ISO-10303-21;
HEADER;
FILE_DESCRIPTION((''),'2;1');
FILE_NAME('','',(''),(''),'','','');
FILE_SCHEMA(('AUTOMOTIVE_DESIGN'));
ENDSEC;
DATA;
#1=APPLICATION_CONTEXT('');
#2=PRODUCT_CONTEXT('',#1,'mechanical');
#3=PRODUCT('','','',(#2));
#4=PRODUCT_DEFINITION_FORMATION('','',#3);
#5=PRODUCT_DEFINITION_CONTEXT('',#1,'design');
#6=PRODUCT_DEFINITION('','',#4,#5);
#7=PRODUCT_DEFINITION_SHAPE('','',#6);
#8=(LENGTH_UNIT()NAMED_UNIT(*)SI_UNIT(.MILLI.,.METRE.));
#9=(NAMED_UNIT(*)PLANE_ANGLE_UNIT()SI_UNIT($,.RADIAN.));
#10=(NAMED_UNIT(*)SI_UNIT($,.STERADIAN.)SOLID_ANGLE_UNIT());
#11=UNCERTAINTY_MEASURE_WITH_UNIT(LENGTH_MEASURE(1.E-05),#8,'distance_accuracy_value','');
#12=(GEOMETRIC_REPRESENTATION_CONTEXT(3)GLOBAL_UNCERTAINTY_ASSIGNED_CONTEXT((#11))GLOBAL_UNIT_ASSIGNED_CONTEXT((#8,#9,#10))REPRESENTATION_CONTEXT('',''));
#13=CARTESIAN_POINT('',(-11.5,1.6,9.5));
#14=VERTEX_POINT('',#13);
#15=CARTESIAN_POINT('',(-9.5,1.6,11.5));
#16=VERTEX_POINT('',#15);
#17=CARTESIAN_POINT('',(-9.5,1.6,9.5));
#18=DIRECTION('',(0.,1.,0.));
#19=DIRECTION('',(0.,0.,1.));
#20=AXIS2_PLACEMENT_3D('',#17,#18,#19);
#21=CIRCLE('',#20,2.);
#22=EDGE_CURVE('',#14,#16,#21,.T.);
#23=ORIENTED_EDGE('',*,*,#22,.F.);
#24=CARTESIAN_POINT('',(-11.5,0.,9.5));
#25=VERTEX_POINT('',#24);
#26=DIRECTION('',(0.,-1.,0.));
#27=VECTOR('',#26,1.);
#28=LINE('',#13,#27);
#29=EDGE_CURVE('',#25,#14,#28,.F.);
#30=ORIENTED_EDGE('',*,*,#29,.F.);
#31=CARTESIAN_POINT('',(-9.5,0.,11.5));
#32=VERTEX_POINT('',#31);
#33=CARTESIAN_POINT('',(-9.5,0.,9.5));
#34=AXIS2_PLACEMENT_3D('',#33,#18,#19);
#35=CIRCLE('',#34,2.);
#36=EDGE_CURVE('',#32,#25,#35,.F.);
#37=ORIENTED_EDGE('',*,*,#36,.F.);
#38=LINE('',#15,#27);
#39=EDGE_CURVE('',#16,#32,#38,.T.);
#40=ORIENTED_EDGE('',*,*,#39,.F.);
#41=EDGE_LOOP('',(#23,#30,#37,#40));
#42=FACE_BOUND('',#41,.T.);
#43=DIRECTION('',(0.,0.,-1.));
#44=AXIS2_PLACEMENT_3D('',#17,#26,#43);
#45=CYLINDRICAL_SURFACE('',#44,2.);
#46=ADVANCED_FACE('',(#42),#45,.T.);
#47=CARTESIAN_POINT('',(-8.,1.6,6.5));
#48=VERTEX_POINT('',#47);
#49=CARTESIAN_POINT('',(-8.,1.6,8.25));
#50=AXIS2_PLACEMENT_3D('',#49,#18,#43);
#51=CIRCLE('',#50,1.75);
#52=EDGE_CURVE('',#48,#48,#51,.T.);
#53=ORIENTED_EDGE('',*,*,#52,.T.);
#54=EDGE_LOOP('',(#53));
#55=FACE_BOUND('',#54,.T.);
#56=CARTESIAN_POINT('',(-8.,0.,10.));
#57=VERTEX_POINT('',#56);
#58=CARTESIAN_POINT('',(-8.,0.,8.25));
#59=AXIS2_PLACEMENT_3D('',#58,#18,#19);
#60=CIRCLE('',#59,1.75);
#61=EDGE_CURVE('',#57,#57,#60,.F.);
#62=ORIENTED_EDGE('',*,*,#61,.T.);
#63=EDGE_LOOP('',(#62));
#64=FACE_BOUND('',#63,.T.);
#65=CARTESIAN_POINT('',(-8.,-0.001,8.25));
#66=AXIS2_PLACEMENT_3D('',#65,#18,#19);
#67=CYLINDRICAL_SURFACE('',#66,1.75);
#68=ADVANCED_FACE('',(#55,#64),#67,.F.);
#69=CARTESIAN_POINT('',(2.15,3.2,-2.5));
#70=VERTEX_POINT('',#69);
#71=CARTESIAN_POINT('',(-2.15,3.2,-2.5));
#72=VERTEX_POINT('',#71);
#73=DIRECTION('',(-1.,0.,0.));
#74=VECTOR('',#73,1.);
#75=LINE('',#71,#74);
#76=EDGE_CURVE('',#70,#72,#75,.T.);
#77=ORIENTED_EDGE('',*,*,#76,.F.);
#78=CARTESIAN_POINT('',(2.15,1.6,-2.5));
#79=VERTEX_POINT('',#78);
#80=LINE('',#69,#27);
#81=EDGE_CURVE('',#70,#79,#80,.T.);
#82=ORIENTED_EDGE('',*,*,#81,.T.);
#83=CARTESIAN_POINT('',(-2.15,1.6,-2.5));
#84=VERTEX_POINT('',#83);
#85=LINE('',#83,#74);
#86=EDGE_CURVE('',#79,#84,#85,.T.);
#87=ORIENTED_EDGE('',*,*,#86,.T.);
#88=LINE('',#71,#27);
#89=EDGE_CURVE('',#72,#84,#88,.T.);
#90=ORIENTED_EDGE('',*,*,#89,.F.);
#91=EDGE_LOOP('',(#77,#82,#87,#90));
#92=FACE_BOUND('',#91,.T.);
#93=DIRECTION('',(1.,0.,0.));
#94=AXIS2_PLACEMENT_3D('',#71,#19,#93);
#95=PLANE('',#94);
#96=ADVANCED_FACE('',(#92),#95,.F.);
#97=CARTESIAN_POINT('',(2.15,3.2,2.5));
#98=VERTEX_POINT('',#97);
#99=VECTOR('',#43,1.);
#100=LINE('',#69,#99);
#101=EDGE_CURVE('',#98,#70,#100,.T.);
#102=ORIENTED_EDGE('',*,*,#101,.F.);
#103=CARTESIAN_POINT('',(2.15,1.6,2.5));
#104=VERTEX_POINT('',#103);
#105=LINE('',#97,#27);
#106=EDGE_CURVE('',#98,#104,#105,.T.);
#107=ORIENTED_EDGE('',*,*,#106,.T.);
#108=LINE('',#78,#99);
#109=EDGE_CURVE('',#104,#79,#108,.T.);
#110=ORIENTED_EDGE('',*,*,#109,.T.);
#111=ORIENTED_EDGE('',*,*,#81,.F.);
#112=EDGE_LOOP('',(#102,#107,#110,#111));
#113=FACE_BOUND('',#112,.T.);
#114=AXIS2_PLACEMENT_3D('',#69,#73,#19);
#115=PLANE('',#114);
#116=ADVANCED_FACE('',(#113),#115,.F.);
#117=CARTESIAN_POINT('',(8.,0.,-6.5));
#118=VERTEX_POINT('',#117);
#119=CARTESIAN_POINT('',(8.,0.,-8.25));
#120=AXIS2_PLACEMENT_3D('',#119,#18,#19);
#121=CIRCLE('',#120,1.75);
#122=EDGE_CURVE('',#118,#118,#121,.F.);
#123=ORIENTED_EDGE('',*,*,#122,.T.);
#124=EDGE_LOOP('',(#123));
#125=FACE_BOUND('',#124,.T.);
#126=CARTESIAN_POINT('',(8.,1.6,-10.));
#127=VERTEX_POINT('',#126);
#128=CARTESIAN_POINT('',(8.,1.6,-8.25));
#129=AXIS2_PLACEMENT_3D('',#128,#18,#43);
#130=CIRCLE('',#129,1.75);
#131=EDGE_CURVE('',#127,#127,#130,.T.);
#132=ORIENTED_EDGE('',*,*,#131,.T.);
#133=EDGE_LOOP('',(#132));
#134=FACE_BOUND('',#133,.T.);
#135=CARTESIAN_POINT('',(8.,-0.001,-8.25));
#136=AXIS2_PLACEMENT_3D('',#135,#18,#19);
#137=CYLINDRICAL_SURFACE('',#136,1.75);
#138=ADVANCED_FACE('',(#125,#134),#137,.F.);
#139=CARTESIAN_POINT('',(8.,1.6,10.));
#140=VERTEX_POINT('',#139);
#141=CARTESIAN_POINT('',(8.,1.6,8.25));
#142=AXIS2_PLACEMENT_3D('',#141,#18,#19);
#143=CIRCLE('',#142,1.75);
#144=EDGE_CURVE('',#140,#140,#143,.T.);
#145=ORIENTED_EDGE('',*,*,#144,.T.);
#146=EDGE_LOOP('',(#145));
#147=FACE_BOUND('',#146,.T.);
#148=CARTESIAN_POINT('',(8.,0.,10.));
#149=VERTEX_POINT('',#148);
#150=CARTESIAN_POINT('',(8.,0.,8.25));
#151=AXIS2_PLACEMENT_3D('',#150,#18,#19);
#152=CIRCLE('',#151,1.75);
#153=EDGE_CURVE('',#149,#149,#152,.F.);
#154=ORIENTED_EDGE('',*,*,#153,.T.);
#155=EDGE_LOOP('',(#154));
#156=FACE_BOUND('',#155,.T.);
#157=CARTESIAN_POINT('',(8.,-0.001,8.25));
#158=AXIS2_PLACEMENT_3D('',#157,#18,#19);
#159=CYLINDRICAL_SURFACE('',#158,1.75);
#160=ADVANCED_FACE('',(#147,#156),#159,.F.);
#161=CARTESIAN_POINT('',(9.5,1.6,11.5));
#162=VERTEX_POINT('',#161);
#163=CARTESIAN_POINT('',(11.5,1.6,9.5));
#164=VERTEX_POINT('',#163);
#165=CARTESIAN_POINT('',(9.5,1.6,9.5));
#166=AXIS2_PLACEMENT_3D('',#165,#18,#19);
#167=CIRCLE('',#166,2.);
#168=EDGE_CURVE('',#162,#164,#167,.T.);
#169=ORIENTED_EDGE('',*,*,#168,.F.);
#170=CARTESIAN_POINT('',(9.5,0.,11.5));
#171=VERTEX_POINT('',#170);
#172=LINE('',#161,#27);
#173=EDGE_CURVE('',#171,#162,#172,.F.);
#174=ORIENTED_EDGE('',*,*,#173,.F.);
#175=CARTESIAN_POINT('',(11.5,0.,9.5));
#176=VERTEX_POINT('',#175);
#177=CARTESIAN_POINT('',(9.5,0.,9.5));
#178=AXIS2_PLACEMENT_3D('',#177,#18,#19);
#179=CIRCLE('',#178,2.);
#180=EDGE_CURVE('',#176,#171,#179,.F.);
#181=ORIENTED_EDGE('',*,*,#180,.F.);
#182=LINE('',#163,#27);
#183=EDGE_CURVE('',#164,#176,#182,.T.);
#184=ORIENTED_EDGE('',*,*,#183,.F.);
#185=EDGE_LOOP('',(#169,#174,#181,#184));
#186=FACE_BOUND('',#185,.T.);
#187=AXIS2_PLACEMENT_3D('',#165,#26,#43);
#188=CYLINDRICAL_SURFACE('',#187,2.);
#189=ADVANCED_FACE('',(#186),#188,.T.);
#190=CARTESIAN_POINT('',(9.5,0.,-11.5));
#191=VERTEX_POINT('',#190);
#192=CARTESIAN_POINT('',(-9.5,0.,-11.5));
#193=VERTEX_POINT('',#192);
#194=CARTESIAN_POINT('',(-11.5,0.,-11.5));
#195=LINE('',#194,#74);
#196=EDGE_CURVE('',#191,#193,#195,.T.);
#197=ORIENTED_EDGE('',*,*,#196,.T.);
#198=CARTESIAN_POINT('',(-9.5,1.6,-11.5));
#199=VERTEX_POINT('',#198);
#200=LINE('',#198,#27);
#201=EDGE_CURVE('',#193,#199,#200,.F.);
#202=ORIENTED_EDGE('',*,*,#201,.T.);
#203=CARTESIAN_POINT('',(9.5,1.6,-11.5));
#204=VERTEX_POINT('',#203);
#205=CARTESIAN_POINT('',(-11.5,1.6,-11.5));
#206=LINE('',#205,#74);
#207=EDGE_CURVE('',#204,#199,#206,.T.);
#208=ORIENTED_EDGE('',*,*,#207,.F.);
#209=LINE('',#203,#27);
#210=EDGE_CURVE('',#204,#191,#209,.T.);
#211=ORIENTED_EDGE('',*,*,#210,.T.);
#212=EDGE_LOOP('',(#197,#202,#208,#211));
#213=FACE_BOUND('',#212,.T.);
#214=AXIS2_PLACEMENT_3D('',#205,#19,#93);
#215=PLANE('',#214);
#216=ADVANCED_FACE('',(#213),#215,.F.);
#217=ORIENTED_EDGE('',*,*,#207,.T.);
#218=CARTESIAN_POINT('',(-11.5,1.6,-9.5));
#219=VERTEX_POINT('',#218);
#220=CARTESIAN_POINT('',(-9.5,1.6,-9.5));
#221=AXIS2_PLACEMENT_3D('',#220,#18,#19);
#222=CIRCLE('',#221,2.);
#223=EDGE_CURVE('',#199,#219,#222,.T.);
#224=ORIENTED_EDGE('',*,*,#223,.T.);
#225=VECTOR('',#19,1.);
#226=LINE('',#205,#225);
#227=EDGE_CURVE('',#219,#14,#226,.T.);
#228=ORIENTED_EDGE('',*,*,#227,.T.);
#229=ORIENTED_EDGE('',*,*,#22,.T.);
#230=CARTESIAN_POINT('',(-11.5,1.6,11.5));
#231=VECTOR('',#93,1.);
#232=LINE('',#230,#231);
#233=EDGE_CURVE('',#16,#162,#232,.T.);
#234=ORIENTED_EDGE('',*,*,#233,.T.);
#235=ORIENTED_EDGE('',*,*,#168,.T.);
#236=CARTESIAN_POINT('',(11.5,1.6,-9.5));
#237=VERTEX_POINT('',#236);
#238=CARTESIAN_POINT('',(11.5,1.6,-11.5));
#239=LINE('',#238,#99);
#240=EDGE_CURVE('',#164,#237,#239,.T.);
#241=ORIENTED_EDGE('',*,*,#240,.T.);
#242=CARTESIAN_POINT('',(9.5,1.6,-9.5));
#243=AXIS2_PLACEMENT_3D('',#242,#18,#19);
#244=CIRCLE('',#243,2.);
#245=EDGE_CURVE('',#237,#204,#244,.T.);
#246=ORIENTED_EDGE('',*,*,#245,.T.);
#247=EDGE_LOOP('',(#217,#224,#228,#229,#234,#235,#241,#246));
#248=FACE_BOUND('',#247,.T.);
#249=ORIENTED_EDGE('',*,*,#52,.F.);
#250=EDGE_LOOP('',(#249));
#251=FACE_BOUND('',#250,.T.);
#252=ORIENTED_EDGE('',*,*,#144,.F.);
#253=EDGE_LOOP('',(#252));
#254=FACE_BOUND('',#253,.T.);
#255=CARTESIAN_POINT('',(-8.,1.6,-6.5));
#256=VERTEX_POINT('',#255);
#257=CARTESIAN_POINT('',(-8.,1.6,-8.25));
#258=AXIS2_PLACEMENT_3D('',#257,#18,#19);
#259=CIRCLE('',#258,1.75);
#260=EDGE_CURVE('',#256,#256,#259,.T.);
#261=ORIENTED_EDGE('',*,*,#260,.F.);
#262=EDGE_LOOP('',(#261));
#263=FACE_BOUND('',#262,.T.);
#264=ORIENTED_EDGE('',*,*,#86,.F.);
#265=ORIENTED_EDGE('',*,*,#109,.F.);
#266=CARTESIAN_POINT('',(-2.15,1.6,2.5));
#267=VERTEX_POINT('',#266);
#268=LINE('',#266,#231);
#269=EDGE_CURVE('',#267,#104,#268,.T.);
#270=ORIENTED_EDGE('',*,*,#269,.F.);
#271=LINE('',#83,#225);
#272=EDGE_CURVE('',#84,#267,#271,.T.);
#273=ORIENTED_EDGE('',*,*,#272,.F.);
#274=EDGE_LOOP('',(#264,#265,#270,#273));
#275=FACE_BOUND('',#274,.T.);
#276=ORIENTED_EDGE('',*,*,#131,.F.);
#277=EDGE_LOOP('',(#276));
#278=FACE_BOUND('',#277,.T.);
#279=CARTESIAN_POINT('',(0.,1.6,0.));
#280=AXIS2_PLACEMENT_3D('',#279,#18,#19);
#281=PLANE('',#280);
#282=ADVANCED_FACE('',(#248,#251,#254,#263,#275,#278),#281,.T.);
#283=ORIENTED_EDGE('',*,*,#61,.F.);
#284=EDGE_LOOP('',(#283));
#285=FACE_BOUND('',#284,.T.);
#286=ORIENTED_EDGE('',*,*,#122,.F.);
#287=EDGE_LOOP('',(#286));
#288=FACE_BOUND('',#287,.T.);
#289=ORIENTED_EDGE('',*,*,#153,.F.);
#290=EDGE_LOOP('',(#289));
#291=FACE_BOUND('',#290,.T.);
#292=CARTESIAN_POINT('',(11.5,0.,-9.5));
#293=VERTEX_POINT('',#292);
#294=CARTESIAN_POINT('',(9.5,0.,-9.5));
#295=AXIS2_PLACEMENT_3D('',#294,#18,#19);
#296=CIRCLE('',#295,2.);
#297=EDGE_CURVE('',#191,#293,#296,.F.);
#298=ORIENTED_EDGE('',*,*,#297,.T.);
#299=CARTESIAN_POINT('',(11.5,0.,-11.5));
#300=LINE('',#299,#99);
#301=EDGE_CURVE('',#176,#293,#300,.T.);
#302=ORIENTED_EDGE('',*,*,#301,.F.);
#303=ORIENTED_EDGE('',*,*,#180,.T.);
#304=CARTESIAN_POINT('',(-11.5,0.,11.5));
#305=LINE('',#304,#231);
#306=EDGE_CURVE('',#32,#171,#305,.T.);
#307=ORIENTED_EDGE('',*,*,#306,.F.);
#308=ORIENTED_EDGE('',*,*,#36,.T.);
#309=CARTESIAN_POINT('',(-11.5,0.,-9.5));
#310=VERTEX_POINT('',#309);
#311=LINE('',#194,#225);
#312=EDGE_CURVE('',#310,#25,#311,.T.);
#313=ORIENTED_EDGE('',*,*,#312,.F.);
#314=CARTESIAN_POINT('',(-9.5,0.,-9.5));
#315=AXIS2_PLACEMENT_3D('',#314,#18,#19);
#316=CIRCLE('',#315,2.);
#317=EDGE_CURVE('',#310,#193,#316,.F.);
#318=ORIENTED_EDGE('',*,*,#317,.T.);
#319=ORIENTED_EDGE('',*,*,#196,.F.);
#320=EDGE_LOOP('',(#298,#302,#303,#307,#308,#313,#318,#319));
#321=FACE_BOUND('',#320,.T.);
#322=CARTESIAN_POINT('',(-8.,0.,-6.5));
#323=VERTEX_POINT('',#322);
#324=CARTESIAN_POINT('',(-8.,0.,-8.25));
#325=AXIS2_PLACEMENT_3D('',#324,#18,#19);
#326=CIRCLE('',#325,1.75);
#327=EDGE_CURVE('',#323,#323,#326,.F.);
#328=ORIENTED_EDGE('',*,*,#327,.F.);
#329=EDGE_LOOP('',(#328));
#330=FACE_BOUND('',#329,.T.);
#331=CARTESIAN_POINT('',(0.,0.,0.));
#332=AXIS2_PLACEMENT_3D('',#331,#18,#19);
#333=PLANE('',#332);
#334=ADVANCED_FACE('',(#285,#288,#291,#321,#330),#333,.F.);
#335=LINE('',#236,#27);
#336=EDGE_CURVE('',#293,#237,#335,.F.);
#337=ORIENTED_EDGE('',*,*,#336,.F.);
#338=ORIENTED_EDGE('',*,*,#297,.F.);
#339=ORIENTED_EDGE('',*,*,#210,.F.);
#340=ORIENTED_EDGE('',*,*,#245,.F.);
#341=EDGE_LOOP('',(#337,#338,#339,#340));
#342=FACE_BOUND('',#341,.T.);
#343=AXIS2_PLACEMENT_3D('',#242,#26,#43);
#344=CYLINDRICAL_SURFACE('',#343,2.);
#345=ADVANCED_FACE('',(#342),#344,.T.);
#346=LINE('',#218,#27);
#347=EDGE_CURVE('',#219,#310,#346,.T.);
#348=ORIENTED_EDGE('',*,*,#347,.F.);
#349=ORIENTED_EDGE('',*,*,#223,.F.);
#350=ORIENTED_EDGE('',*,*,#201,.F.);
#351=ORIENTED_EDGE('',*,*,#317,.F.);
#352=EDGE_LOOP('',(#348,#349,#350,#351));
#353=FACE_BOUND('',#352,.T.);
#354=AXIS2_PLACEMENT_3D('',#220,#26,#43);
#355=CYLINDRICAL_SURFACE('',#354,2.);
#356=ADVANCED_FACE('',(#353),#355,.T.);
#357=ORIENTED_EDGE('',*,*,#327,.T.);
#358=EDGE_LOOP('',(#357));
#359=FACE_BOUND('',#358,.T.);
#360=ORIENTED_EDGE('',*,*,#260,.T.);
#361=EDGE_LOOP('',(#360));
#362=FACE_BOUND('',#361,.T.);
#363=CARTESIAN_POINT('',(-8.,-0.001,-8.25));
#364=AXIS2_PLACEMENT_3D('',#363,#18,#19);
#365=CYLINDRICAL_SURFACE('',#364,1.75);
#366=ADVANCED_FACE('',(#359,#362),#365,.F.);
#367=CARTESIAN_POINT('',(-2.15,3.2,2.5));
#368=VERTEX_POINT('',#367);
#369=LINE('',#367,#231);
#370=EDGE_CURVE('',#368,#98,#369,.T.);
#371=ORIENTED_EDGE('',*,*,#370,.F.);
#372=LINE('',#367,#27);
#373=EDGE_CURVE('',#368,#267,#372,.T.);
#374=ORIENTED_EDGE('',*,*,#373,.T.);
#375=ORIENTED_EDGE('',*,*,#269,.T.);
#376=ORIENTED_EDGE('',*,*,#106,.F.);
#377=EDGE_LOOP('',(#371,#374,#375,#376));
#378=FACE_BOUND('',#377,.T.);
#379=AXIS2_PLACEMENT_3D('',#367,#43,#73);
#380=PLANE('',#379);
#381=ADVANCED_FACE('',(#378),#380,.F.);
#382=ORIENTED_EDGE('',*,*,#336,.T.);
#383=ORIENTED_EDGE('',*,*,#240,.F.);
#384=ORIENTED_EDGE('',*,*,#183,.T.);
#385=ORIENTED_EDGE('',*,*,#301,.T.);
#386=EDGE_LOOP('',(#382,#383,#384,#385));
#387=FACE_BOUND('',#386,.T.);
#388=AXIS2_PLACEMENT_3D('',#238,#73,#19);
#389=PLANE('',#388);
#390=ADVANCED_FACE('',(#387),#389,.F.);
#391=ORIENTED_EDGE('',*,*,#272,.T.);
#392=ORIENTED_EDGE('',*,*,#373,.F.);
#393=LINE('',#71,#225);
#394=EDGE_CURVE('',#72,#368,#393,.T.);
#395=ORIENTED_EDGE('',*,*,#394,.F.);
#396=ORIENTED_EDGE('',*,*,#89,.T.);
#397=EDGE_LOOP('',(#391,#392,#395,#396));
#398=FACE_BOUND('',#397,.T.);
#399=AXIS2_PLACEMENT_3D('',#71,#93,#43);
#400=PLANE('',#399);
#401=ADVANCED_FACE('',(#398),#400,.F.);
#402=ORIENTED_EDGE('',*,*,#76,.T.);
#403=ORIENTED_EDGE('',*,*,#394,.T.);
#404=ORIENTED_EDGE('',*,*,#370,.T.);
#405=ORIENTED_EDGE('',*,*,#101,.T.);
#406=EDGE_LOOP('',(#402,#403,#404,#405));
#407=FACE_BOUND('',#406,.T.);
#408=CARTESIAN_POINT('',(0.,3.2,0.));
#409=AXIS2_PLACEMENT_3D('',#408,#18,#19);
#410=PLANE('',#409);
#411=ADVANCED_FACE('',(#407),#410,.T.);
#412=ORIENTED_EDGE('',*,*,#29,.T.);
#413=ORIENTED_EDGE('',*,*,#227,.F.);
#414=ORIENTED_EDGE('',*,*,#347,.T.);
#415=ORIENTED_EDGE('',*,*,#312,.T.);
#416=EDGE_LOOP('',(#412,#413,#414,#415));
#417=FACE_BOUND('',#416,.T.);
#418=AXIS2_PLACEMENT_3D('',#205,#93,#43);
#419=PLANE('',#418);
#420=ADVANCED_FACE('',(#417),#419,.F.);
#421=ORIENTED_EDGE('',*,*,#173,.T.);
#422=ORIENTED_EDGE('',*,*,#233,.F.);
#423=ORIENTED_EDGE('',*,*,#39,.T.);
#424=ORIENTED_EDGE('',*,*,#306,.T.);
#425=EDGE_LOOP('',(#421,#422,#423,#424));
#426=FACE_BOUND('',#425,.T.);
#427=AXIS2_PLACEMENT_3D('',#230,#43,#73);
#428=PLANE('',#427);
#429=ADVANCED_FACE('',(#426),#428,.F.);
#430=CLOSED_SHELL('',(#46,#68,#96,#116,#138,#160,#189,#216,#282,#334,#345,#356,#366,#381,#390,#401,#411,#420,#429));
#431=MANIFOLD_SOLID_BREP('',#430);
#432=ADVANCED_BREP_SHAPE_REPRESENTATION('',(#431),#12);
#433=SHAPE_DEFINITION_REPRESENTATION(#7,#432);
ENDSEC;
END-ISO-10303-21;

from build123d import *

# Parameters (mm, degrees)
SKETCH1_W           = 23
SKETCH1_H           = 23
BOSS_EXTRUDE1_DEPTH = 1.6
FILLET1_R           = 2
CUT_EXTRUDE1_REACH  = 18.342
SKETCH2_R           = 1.75
SKETCH3_W           = 4.3
SKETCH3_H           = 5
BOSS_EXTRUDE2_DEPTH = 1.6


with BuildPart() as part:
    # Sketch1 → Boss-Extrude1 (new body)
    with BuildSketch(Plane(origin=(0, 0, 0), x_dir=(1, 0, 0), z_dir=(0, 1, 0))):
        Rectangle(SKETCH1_W, SKETCH1_H)
    extrude(amount=BOSS_EXTRUDE1_DEPTH)

    # Fillet1
    fillet1_edges = [part.edges().sort_by_distance(p)[0] for p in [
        (11.5, 0.8, 11.5),
        (-11.5, 0.8, 11.5),
        (-11.5, 0.8, -11.5),
        (11.5, 0.8, -11.5),
    ]]
    fillet(fillet1_edges, radius=FILLET1_R)

    # Sketch2 → Cut-Extrude1 (cut, up to next)
    with BuildSketch(Plane(origin=(0, 1.6, 0), x_dir=(1, 0, 0), z_dir=(0, 1, 0)), mode=Mode.PRIVATE) as cut_extrude1_sk1:
        with Locations(Location((-8, 8.25, 0), (0, 0, 270))):
            Circle(SKETCH2_R)
    cut_extrude1_tool1 = extrude(cut_extrude1_sk1.sketch, amount=-CUT_EXTRUDE1_REACH, mode=Mode.PRIVATE) & part.part
    # Sketch2 → Cut-Extrude1 (cut, up to next)
    with BuildSketch(Plane(origin=(0, 1.6, 0), x_dir=(1, 0, 0), z_dir=(0, 1, 0)), mode=Mode.PRIVATE) as cut_extrude1_sk2:
        with Locations(Location((8, 8.25, 0), (0, 0, 270))):
            Circle(SKETCH2_R)
    cut_extrude1_tool2 = extrude(cut_extrude1_sk2.sketch, amount=-CUT_EXTRUDE1_REACH, mode=Mode.PRIVATE) & part.part
    # Sketch2 → Cut-Extrude1 (cut, up to next)
    with BuildSketch(Plane(origin=(0, 1.6, 0), x_dir=(1, 0, 0), z_dir=(0, 1, 0)), mode=Mode.PRIVATE) as cut_extrude1_sk3:
        with Locations(Location((8, -8.25, 0), (0, 0, 270))):
            Circle(SKETCH2_R)
    cut_extrude1_tool3 = extrude(cut_extrude1_sk3.sketch, amount=-CUT_EXTRUDE1_REACH, mode=Mode.PRIVATE) & part.part
    # Sketch2 → Cut-Extrude1 (cut, up to next)
    with BuildSketch(Plane(origin=(0, 1.6, 0), x_dir=(1, 0, 0), z_dir=(0, 1, 0)), mode=Mode.PRIVATE) as cut_extrude1_sk4:
        with Locations(Location((-8, -8.25, 0), (0, 0, 270))):
            Circle(SKETCH2_R)
    cut_extrude1_tool4 = extrude(cut_extrude1_sk4.sketch, amount=-CUT_EXTRUDE1_REACH, mode=Mode.PRIVATE) & part.part
    add(cut_extrude1_tool1.solids().sort_by_distance((-8, 1.6, -8.25))[0], mode=Mode.SUBTRACT)
    add(cut_extrude1_tool2.solids().sort_by_distance((8, 1.6, -8.25))[0], mode=Mode.SUBTRACT)
    add(cut_extrude1_tool3.solids().sort_by_distance((8, 1.6, 8.25))[0], mode=Mode.SUBTRACT)
    add(cut_extrude1_tool4.solids().sort_by_distance((-8, 1.6, 8.25))[0], mode=Mode.SUBTRACT)

    # Sketch3 → Boss-Extrude2 (add)
    with BuildSketch(Plane(origin=(0, 1.6, 0), x_dir=(1, 0, 0), z_dir=(0, 1, 0))):
        Rectangle(SKETCH3_W, SKETCH3_H)
    extrude(amount=BOSS_EXTRUDE2_DEPTH)


solid = part.part
